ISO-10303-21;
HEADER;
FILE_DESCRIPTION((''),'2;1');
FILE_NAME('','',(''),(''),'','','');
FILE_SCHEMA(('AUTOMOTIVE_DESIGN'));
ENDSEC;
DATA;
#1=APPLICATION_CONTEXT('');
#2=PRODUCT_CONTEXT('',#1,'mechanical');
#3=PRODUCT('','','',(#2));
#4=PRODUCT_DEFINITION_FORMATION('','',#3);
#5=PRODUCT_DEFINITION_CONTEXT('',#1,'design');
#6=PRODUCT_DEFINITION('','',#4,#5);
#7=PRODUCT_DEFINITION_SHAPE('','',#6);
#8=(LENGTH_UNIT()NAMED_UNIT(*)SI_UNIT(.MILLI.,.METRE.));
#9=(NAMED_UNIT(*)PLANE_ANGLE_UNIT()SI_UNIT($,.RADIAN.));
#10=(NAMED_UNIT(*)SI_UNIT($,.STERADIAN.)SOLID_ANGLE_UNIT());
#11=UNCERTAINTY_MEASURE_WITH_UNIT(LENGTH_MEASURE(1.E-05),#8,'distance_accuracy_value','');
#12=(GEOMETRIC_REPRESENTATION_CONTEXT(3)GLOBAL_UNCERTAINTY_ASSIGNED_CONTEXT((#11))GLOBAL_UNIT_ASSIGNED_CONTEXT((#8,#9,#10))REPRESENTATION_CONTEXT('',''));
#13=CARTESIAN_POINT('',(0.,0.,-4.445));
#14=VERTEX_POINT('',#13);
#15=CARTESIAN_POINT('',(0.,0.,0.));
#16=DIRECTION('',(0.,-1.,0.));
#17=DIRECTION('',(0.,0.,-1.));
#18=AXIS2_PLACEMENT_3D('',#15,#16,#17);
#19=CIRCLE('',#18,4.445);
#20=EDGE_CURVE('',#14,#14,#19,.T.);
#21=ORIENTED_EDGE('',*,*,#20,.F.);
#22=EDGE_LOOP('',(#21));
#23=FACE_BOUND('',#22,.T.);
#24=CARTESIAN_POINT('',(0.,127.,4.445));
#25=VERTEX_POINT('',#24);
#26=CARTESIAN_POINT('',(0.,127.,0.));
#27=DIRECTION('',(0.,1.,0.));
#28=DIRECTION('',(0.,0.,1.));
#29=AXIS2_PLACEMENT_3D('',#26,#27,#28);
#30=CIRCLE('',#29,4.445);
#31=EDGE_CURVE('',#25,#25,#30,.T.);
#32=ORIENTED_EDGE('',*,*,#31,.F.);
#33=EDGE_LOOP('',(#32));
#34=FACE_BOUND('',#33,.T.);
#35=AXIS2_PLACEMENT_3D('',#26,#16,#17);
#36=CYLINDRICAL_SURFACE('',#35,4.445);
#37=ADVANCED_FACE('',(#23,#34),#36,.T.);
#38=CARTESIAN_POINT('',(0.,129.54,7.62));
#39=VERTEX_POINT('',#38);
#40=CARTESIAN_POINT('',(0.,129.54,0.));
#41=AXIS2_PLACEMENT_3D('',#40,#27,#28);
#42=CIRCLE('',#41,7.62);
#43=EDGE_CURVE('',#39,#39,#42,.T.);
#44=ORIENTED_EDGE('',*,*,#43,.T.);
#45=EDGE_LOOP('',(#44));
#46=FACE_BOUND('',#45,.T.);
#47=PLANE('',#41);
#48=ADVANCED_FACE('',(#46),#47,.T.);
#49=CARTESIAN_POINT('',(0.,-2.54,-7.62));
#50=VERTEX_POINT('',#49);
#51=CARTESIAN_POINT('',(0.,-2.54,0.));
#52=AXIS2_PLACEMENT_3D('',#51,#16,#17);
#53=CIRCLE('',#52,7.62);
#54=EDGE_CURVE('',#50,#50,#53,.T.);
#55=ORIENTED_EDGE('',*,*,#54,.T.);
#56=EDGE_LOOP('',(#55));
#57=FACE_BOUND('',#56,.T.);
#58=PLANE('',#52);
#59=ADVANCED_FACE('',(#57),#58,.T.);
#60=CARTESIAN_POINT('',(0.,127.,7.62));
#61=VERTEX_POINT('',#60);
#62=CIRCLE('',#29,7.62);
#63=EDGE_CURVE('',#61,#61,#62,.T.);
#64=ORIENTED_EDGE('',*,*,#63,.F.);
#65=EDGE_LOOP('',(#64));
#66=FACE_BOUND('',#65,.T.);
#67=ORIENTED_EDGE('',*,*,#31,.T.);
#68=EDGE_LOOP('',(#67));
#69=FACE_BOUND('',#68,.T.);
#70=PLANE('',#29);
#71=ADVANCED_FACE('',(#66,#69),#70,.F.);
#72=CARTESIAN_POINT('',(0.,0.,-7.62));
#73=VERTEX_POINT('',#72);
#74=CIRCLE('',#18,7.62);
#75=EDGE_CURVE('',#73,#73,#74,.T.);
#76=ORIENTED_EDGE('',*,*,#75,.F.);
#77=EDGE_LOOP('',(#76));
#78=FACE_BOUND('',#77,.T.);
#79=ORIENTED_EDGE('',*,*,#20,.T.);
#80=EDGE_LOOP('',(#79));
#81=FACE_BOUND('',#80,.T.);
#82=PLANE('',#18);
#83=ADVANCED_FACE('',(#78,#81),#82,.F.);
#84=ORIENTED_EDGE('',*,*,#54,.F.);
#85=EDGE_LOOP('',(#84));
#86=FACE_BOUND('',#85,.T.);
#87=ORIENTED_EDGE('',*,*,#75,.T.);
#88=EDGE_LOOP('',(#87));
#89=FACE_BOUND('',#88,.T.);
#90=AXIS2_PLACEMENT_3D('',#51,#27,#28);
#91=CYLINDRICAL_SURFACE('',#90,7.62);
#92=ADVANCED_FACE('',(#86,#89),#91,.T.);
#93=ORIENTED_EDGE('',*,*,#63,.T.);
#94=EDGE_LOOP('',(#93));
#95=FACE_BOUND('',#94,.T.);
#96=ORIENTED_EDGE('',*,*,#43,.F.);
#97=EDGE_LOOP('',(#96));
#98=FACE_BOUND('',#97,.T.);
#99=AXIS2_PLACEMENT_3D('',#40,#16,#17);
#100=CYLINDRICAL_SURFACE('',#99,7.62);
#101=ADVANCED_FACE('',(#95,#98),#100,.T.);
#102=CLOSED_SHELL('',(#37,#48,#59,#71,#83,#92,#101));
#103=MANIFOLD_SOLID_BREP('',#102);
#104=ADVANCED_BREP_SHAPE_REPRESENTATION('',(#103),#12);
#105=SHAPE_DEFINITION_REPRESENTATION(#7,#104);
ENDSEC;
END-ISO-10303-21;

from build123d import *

# Parameters (mm, degrees)
SKETCH1_R           = 4.445
BOSS_EXTRUDE1_DEPTH = 127
SKETCH2_R           = 7.62
BOSS_EXTRUDE2_DEPTH = 2.54
BOSS_EXTRUDE3_START = 2.54
SKETCH3_R           = 7.62
BOSS_EXTRUDE3_DEPTH = 2.54


with BuildPart() as part:
    # Sketch1 → Boss-Extrude1 (new body)
    with BuildSketch(Plane(origin=(0, 0, 0), x_dir=(1, 0, 0), z_dir=(0, 1, 0))):
        with Locations(Location((0, 0, 0), (0, 0, 270))):
            Circle(SKETCH1_R)
    extrude(amount=BOSS_EXTRUDE1_DEPTH)

    # Sketch2 → Boss-Extrude2 (add)
    with BuildSketch(Plane.XZ):
        with Locations(Location((0, 0, 0), (0, 0, 270))):
            Circle(SKETCH2_R)
    extrude(amount=BOSS_EXTRUDE2_DEPTH)

    # Sketch3 → Boss-Extrude3 (add)
    with BuildSketch(Plane(origin=(0, 127, 0), x_dir=(1, 0, 0), z_dir=(0, 1, 0)).offset(BOSS_EXTRUDE3_START)):
        with Locations(Location((0, 0, 0), (0, 0, 90))):
            Circle(SKETCH3_R)
    extrude(amount=-BOSS_EXTRUDE3_DEPTH)


solid = part.part
